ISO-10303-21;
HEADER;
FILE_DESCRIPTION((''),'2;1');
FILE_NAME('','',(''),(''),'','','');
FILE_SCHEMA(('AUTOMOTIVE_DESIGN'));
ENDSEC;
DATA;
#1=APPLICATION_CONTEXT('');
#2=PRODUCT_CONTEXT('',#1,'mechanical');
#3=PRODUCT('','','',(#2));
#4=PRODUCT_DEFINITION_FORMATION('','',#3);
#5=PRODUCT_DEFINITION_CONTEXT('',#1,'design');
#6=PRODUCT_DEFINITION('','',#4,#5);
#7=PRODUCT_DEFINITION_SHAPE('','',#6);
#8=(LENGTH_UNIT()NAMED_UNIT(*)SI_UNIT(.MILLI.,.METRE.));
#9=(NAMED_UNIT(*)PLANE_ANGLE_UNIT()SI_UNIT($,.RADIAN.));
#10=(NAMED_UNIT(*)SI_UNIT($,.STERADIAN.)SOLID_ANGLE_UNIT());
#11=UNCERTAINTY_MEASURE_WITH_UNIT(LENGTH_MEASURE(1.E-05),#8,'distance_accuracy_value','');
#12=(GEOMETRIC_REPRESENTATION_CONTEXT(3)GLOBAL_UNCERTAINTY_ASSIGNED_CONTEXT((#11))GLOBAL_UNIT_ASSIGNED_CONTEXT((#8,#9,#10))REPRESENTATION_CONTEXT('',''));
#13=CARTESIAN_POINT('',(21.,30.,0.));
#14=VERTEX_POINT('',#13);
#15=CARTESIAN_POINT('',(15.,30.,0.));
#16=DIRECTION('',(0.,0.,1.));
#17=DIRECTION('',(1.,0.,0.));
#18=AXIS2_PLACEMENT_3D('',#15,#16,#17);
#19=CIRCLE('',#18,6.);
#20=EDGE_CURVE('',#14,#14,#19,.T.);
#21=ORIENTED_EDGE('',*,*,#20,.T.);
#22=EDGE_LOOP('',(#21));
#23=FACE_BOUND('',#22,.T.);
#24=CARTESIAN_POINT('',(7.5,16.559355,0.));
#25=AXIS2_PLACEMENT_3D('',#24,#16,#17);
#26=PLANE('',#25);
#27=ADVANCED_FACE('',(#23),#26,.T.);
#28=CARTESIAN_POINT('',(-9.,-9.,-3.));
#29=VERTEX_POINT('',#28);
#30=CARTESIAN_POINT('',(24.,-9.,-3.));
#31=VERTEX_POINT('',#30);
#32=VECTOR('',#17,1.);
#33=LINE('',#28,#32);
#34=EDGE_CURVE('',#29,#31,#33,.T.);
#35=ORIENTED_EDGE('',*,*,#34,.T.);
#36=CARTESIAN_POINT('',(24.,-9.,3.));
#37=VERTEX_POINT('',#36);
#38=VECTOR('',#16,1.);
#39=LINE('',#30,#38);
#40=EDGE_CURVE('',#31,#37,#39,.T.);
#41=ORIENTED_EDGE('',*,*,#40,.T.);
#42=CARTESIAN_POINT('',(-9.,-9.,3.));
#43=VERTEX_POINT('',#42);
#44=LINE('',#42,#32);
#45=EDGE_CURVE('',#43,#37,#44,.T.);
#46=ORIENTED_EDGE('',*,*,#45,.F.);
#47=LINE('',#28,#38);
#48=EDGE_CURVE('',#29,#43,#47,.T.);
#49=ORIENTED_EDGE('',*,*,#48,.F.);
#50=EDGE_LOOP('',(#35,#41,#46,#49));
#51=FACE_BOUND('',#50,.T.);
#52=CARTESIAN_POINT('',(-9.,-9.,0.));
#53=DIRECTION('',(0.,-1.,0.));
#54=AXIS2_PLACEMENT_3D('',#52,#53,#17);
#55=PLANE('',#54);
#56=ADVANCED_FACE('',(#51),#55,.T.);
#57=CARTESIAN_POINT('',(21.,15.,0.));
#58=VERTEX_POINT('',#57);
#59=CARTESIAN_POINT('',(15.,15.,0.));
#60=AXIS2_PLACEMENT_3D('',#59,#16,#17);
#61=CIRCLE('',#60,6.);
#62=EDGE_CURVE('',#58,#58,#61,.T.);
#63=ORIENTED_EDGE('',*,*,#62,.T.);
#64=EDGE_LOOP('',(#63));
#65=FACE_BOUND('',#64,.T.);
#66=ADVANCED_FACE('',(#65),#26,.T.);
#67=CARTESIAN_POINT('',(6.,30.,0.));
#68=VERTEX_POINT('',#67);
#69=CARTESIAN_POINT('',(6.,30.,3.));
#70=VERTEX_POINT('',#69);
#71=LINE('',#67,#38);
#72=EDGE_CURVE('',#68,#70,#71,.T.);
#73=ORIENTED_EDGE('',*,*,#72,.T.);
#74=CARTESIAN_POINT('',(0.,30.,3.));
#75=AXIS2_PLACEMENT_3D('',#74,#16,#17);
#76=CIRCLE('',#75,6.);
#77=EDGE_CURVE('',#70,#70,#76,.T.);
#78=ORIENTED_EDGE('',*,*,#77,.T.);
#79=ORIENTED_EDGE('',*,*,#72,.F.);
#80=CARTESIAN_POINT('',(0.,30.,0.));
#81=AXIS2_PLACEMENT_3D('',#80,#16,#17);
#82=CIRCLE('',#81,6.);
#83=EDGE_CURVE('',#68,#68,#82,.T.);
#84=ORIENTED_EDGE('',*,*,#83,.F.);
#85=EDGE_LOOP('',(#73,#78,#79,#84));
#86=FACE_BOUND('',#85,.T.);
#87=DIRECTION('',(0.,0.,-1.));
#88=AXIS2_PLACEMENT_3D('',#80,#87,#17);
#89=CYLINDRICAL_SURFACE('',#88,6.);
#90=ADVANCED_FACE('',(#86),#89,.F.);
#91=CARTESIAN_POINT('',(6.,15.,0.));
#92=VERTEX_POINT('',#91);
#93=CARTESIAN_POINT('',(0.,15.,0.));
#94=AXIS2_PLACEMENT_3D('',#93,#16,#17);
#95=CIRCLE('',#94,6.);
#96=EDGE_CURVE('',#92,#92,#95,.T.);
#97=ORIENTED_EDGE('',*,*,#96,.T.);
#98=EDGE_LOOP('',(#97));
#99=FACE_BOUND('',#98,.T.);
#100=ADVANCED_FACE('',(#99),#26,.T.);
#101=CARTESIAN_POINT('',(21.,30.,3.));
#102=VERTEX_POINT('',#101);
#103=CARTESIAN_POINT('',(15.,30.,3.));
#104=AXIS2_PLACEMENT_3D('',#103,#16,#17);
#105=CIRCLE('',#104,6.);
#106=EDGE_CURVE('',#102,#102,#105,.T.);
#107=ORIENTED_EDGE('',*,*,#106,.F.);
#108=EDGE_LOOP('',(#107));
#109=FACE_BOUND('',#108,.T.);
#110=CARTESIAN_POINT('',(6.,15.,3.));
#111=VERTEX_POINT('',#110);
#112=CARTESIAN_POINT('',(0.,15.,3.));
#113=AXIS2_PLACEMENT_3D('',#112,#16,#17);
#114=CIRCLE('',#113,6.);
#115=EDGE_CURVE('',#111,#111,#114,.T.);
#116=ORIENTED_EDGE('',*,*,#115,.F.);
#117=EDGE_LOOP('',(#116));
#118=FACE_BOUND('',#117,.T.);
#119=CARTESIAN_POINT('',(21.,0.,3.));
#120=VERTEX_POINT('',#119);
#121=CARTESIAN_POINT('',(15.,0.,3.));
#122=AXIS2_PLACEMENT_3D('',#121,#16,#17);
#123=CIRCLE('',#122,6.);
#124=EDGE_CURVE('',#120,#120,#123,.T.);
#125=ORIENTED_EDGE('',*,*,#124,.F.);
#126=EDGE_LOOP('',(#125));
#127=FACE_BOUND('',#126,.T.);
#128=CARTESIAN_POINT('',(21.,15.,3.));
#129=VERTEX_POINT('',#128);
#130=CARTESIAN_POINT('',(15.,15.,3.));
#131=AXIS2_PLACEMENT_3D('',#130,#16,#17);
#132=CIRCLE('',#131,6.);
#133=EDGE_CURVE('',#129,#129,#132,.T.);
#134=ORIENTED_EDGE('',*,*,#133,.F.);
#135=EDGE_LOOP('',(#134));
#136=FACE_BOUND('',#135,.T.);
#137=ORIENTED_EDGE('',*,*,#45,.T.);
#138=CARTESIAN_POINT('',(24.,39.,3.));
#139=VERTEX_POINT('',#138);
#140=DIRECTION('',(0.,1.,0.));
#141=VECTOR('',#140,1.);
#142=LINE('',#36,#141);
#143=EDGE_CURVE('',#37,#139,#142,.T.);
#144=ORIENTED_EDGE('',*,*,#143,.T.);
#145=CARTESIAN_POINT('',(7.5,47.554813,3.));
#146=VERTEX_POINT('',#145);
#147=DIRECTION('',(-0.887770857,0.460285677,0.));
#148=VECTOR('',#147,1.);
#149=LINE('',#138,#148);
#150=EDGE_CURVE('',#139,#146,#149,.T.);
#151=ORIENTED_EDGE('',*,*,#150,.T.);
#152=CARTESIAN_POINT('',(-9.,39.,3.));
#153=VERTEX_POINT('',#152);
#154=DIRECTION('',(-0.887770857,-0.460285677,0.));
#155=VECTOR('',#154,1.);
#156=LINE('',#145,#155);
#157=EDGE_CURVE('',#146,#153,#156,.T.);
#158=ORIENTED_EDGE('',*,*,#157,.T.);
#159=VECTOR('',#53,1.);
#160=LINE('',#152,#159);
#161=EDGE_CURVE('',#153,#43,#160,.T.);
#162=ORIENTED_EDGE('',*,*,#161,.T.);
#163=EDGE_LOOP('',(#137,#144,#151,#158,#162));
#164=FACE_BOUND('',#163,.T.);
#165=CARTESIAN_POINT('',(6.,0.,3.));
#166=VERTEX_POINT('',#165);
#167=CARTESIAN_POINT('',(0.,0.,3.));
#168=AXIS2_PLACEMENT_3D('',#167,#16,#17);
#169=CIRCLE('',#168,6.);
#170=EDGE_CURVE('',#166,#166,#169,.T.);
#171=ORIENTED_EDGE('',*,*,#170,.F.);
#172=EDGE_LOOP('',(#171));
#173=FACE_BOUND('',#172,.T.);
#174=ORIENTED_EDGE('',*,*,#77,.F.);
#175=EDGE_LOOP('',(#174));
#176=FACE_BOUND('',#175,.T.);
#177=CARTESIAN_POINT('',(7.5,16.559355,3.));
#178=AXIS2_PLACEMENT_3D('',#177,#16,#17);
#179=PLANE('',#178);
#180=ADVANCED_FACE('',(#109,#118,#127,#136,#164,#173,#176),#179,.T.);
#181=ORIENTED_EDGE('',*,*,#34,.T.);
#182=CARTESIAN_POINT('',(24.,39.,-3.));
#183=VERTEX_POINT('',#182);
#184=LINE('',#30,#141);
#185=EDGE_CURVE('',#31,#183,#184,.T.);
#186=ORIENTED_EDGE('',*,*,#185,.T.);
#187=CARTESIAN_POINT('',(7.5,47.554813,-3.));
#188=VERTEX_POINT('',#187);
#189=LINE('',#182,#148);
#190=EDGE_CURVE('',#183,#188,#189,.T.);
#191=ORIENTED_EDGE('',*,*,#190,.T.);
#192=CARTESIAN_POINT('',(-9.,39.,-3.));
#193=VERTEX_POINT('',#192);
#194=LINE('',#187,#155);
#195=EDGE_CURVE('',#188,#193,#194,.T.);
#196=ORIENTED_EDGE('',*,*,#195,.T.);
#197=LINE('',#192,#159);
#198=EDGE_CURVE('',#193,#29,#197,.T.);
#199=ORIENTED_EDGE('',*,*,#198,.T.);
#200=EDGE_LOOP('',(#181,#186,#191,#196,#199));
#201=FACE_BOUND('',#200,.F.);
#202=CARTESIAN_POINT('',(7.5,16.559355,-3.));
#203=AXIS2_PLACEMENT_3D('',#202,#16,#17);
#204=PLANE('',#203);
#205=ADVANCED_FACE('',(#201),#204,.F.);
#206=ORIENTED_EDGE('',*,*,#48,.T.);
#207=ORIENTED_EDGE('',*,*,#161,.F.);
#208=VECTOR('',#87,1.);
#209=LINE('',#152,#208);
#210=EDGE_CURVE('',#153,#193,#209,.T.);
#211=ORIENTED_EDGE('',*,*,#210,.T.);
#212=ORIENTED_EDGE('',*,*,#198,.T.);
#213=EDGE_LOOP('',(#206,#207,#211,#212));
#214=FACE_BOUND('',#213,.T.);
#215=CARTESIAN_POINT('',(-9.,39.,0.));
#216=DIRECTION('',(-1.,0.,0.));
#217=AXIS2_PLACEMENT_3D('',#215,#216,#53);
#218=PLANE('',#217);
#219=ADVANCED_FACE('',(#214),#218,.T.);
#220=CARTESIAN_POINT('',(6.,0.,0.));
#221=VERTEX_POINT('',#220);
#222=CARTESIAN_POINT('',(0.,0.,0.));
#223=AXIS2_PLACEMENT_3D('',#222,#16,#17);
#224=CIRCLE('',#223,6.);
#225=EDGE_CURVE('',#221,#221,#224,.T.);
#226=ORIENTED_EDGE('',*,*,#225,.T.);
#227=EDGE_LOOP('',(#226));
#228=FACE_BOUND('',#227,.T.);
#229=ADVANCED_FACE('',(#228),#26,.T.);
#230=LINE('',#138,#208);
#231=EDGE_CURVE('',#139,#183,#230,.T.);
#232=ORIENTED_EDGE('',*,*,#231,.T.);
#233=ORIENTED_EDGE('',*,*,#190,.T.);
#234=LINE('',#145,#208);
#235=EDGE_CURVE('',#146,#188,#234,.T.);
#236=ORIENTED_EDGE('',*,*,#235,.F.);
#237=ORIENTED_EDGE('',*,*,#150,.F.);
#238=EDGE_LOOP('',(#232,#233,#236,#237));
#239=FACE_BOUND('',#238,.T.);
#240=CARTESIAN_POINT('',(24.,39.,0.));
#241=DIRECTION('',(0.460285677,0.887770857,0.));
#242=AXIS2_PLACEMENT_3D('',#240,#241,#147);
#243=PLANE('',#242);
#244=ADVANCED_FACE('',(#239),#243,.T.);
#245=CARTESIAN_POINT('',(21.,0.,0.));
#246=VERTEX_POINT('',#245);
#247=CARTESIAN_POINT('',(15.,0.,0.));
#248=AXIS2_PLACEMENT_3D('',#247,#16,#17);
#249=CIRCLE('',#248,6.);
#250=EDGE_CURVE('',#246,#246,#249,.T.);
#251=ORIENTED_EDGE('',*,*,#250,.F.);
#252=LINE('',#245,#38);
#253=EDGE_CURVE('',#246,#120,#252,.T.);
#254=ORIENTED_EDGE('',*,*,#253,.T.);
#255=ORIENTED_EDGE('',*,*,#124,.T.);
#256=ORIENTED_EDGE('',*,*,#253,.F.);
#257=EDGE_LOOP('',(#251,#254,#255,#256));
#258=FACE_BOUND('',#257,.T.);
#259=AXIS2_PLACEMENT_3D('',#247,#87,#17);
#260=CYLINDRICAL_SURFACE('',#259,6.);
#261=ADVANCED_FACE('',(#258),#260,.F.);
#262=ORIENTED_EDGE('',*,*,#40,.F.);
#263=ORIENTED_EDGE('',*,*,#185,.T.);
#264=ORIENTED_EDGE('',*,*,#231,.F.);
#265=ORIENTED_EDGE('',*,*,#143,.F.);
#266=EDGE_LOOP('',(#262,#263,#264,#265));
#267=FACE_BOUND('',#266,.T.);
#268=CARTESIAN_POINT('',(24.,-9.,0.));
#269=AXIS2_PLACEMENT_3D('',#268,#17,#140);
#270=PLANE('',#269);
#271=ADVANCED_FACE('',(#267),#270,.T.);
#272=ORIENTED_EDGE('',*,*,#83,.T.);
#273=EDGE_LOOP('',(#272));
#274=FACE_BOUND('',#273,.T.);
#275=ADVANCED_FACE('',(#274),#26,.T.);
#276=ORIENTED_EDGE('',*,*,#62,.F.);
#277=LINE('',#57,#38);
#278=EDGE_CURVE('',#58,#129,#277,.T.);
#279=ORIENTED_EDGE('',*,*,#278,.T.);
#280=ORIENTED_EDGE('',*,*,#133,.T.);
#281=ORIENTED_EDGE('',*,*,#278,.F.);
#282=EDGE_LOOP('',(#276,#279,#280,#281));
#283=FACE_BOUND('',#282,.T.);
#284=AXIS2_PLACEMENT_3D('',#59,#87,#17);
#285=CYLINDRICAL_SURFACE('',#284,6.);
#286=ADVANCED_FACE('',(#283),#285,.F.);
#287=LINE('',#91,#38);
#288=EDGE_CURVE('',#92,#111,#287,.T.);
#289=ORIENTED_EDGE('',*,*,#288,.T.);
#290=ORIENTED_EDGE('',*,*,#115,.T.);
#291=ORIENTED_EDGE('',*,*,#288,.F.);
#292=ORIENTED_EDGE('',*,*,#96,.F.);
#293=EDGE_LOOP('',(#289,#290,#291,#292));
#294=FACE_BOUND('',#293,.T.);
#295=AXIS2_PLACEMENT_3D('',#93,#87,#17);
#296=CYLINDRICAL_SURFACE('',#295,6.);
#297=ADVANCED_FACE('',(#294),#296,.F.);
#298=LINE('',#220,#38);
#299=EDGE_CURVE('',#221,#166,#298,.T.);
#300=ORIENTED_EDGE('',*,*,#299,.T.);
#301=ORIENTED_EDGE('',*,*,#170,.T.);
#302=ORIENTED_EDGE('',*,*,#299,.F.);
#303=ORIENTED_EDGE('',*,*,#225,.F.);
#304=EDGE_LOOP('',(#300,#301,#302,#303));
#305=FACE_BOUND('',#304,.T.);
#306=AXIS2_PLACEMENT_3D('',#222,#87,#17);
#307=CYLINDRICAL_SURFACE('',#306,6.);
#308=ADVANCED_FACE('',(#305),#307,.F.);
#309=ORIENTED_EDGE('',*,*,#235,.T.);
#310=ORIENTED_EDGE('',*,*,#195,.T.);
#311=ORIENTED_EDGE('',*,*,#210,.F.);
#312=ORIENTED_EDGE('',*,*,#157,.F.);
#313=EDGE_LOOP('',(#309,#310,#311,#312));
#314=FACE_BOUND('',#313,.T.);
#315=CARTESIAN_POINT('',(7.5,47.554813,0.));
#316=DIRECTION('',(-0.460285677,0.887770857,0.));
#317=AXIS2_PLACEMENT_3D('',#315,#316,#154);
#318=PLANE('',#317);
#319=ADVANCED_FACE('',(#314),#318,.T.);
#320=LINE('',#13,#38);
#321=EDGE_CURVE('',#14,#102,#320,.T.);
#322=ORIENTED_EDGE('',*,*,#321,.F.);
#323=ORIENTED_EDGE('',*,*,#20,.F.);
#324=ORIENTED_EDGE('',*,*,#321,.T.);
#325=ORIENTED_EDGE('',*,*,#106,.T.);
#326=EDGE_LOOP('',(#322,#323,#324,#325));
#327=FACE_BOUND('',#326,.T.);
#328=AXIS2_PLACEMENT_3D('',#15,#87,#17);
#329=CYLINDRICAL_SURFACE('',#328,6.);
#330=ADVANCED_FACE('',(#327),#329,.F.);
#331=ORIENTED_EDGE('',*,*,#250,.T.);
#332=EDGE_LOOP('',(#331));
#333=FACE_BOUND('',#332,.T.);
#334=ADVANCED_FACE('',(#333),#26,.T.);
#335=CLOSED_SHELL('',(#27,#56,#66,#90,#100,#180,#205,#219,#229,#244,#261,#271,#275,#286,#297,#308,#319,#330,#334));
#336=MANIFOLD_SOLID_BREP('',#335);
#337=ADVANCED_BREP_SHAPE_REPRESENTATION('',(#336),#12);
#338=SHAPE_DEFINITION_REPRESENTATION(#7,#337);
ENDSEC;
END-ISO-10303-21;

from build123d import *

# Parameters (mm, degrees)
F0_R     = 6
F1_DEPTH = 3
F2_DEPTH = 3


with BuildPart() as f1:
    # F0 (on Top) → F1 (new body)
    with BuildSketch(Plane.XY):
        Polygon((-9, 39), (-9, -9), (24, -9), (24, 39), (7.5, 47.554813), align=None)
        Circle(F0_R, mode=Mode.SUBTRACT)
        with Locations((0, 15)):
            Circle(F0_R, mode=Mode.SUBTRACT)
        with Locations((15, 0)):
            Circle(F0_R, mode=Mode.SUBTRACT)
        with Locations((15, 15)):
            Circle(F0_R, mode=Mode.SUBTRACT)
        with Locations((0, 30)):
            Circle(F0_R, mode=Mode.SUBTRACT)
        with Locations((15, 30)):
            Circle(F0_R, mode=Mode.SUBTRACT)
    extrude(amount=F1_DEPTH)

    # F0 (on Top) → F2 (join)
    with BuildSketch(Plane.XY):
        Polygon((-9, 39), (-9, -9), (24, -9), (24, 39), (7.5, 47.554813), align=None)
        Circle(F0_R, mode=Mode.SUBTRACT)
        with Locations((0, 15)):
            Circle(F0_R, mode=Mode.SUBTRACT)
        with Locations((15, 0)):
            Circle(F0_R, mode=Mode.SUBTRACT)
        with Locations((15, 15)):
            Circle(F0_R, mode=Mode.SUBTRACT)
        with Locations((0, 30)):
            Circle(F0_R, mode=Mode.SUBTRACT)
        with Locations((15, 30)):
            Circle(F0_R, mode=Mode.SUBTRACT)
        with Locations((0, 30)):
            Circle(F0_R)
        with Locations((0, 15)):
            Circle(F0_R)
        Circle(F0_R)
        with Locations((15, 0)):
            Circle(F0_R)
        with Locations((15, 15)):
            Circle(F0_R)
        with Locations((15, 30)):
            Circle(F0_R)
    extrude(amount=-F2_DEPTH)


solid = f1.part
